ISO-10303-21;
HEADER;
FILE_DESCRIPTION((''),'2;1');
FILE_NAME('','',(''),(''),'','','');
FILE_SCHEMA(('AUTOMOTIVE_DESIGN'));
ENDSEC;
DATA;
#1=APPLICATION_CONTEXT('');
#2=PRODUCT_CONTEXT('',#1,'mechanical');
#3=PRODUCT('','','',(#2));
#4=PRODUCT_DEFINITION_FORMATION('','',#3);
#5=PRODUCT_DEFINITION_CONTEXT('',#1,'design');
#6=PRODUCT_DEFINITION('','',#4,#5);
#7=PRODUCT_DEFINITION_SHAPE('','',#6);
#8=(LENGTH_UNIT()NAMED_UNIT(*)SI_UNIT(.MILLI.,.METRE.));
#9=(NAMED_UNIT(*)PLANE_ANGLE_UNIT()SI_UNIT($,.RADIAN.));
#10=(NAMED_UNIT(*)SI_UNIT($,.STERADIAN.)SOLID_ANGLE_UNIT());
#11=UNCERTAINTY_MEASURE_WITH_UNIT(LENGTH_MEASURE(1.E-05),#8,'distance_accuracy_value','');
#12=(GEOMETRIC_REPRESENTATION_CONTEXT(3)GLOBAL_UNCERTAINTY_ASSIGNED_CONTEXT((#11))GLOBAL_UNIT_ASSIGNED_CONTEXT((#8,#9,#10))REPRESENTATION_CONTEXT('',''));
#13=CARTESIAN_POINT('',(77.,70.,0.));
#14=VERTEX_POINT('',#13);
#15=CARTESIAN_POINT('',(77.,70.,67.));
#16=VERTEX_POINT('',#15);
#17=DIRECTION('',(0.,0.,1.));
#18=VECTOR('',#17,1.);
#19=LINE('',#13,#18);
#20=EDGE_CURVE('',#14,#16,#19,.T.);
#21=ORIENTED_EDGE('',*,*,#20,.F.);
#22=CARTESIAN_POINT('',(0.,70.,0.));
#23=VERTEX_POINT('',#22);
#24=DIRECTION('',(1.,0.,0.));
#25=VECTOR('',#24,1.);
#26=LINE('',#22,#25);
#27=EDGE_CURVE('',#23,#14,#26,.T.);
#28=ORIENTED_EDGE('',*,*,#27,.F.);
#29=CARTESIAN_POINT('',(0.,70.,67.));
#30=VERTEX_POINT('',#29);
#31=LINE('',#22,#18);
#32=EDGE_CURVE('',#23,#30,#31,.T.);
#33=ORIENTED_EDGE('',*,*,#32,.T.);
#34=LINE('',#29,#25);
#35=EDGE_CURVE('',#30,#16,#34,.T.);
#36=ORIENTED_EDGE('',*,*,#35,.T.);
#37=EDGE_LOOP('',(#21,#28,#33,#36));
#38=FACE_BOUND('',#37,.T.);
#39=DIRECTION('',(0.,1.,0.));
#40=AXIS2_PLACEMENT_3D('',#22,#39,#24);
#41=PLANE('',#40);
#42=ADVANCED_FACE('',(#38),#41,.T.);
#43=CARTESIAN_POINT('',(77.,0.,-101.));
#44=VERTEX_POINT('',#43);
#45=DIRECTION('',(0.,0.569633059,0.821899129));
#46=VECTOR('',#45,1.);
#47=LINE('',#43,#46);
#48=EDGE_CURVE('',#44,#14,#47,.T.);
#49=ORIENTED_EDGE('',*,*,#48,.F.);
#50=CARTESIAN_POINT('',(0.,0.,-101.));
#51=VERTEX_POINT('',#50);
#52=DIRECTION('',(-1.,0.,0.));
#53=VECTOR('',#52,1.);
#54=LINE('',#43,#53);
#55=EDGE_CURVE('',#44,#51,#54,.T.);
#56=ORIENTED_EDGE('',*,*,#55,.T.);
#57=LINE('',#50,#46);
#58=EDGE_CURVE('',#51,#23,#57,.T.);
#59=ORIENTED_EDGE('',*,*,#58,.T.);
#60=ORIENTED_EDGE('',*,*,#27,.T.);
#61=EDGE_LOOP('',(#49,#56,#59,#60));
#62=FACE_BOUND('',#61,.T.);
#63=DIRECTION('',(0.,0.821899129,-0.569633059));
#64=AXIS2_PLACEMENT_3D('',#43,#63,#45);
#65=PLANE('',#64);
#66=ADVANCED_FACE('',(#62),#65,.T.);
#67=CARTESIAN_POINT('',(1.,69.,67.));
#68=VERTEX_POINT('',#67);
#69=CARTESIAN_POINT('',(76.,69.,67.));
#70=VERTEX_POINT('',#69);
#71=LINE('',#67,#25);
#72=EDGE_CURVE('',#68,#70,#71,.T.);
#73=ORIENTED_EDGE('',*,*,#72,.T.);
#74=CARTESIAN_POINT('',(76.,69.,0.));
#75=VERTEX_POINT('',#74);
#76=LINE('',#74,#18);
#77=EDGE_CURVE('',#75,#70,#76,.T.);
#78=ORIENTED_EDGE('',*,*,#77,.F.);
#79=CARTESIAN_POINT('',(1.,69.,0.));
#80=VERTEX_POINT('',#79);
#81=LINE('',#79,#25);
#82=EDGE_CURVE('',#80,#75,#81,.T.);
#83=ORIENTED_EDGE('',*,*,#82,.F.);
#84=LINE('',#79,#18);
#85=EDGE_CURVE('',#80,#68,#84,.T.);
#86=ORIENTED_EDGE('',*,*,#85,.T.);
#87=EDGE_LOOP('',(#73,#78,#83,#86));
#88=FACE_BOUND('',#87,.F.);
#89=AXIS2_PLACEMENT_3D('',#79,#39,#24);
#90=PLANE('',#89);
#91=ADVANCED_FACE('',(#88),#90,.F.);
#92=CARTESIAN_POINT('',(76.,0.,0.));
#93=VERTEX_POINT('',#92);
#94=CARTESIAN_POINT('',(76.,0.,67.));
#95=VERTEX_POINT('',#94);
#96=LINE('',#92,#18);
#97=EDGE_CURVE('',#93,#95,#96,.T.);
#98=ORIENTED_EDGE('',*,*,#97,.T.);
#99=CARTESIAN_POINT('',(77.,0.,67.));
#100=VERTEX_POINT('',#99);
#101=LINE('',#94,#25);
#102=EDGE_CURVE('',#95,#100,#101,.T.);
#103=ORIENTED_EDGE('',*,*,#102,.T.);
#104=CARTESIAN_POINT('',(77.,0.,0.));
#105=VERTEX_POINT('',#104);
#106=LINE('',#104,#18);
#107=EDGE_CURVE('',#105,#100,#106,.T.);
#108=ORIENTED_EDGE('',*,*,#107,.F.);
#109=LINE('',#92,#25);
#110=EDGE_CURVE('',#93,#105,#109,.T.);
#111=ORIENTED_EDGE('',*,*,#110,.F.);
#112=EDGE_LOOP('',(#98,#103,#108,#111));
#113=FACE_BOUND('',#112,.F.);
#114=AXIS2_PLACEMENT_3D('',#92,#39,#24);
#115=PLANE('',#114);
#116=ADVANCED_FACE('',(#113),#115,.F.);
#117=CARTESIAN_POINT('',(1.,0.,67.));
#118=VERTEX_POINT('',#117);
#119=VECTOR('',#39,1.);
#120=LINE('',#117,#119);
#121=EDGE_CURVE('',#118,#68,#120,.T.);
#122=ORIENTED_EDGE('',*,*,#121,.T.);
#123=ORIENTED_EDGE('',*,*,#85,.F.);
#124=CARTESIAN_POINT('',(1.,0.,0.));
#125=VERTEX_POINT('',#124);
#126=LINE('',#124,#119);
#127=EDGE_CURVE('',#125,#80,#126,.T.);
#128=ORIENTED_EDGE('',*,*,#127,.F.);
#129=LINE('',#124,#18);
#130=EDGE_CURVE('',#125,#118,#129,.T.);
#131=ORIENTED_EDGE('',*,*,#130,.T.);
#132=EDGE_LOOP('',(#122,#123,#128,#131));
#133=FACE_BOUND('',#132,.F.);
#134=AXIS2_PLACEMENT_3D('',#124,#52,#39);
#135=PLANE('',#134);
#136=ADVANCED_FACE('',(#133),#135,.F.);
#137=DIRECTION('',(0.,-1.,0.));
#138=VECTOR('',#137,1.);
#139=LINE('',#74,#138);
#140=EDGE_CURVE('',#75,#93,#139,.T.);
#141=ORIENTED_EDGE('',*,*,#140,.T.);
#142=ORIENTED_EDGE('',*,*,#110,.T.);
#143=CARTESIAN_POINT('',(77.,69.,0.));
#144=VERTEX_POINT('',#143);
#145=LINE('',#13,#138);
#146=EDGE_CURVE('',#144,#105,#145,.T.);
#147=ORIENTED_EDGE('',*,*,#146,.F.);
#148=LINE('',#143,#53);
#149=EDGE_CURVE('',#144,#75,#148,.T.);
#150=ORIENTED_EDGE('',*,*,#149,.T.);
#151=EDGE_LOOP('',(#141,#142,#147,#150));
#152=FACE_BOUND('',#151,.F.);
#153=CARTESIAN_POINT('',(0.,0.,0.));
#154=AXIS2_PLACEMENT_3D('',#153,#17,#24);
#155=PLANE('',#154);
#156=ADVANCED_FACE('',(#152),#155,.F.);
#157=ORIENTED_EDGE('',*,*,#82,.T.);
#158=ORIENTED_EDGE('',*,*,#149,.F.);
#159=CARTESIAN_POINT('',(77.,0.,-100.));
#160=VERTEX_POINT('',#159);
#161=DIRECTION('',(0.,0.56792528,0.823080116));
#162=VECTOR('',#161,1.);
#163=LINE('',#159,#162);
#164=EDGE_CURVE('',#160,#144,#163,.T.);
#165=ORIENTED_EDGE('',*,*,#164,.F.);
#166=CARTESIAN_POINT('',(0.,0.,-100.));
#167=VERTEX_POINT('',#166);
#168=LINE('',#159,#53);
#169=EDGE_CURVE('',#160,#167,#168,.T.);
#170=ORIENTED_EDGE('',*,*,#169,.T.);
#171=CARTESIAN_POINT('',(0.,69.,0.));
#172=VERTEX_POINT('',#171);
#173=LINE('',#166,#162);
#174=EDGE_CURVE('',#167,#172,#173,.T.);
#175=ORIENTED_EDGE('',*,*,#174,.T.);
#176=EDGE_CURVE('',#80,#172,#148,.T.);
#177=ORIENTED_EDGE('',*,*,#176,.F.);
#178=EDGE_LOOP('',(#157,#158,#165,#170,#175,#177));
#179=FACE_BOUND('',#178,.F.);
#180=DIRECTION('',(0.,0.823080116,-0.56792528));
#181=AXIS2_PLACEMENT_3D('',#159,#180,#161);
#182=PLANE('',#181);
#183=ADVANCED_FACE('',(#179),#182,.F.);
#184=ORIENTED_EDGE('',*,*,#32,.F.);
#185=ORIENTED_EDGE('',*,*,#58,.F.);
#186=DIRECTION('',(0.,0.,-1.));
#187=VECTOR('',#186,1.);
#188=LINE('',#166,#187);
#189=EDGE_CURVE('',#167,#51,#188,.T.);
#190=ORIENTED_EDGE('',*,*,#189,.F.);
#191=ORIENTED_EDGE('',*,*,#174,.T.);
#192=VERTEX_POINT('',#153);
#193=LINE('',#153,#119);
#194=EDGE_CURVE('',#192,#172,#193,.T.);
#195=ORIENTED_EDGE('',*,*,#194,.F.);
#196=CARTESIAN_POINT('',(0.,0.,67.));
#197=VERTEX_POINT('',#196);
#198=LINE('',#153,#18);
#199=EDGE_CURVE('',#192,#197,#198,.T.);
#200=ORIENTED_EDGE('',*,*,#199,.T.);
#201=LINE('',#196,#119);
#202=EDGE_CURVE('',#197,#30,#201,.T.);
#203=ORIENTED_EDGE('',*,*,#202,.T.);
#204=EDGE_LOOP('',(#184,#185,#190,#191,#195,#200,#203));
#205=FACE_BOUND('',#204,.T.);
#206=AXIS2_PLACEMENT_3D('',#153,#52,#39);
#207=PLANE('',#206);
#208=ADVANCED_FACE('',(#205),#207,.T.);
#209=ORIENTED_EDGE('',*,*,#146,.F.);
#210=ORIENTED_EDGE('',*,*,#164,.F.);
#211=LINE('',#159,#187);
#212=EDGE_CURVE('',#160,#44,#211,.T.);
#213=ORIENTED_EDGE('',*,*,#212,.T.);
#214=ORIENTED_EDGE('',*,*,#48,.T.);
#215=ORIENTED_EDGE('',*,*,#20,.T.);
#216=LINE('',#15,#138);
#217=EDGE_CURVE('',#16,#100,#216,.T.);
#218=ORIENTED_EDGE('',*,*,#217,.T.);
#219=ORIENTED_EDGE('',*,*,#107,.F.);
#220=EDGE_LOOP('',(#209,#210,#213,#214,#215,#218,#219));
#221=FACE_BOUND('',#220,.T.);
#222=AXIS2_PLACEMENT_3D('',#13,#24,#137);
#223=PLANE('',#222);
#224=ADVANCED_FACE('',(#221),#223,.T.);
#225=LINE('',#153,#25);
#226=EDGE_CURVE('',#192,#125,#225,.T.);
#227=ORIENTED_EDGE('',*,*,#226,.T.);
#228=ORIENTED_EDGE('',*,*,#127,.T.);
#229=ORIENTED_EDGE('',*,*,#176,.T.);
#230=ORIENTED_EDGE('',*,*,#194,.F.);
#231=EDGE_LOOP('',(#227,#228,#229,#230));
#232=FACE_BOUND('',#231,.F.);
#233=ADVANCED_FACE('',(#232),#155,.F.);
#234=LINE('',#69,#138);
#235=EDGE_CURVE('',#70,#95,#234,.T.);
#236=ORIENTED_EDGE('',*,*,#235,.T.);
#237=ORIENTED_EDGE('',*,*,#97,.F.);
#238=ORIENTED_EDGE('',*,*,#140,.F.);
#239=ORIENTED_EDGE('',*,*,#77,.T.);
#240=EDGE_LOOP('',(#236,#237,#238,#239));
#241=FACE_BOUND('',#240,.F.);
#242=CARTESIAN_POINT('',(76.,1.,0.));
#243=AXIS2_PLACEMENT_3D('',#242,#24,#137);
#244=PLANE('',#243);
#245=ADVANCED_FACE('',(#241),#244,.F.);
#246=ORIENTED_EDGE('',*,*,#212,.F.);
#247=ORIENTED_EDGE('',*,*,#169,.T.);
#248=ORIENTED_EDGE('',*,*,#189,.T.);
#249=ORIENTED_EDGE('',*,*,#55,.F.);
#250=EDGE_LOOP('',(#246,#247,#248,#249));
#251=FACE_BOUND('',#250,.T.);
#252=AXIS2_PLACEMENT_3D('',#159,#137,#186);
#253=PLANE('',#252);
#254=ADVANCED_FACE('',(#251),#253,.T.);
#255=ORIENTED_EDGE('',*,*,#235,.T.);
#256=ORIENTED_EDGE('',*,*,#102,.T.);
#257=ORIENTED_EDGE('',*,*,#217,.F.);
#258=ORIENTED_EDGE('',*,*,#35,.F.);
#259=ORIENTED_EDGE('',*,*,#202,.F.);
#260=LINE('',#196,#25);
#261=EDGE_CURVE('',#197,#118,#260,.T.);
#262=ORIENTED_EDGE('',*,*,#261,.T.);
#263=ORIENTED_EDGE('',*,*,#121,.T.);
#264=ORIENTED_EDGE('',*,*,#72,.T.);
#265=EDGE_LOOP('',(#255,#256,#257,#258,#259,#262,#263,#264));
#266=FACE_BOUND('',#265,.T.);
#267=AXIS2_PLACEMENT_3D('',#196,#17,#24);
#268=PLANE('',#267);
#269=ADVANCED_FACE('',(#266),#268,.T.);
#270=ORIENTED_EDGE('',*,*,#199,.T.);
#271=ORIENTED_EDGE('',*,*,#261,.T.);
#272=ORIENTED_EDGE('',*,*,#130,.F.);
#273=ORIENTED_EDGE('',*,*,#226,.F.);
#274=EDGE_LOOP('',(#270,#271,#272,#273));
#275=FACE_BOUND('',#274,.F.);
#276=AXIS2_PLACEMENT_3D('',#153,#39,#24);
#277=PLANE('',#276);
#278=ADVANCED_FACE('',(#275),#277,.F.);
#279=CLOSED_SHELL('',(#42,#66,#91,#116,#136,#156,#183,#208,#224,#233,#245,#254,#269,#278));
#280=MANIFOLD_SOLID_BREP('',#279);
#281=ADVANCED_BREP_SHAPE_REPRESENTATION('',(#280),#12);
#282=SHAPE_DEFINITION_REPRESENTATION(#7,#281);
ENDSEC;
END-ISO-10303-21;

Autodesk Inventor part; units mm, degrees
ref_plane "YZ Plane" through (0, 0, 0) normal (1, 0, 0) x (0, 1, 0)
ref_plane "XZ Plane" through (0, 0, 0) normal (0, 1, 0) x (-1, 0, 0)
ref_plane "XY Plane" through (0, 0, 0) normal (0, 0, 1) x (1, 0, 0)
sketch "Sketch1" plane through (0, 0, 0) normal (0, 0, 1) x (1, 0, 0)
  line L0 (0, 0) -> (0, 70)
  line L1 (0, 70) -> (77, 70)
  line L2 (77, 70) -> (77, 0)
  line L3 (0, 0) -> (1, 0)
  line L4 (1, 0) -> (1, 69)
  line L5 (1, 69) -> (76, 69)
  line L6 (76, 69) -> (76, 0)
  line L7 (76, 69) -> (145, 69) construction
  line L8 (76, 0) -> (76, 1)
  line L9 (76, 0) -> (77, 0)
  dimension "d0" = 70
  dimension "d1" = 77
  dimension "d3" = 70
  dimension "d5" = 1
  dimension "d6" = 69
  dimension "d7" = 90
  dimension "d8" = 75
  dimension "d9" = 90
  dimension "d10" = 69
  dimension "d11" = 90
  dimension "d12" = 1
extrude "Extrusion1" add sketch "Sketch1" along normal blind 67
sketch "Sketch2" plane through (77, 0, 0) normal (1, 0, 0) x (0, 0, -1)
  line L0 (0, 70) -> (-67, 70) projected
  line L1 (0, 70) -> (0, 69)
  line L2 (0, 70) -> (1, 70) construction
  line L3 (100, 0) -> (101, 0)
  line L4 (100, 0) -> (101, 0) construction
  line L5 (101, 0) -> (0, 70)
  line L6 (100, 0) -> (0, 69)
  point P0 (0, 0)
  dimension "d15" = 1
  dimension "d16" = 90
  dimension "d17" = 1
  dimension "d18" = 0
extrude "Extrusion2" add sketch "Sketch2" against normal blind 77
properties part number "Ramp"
